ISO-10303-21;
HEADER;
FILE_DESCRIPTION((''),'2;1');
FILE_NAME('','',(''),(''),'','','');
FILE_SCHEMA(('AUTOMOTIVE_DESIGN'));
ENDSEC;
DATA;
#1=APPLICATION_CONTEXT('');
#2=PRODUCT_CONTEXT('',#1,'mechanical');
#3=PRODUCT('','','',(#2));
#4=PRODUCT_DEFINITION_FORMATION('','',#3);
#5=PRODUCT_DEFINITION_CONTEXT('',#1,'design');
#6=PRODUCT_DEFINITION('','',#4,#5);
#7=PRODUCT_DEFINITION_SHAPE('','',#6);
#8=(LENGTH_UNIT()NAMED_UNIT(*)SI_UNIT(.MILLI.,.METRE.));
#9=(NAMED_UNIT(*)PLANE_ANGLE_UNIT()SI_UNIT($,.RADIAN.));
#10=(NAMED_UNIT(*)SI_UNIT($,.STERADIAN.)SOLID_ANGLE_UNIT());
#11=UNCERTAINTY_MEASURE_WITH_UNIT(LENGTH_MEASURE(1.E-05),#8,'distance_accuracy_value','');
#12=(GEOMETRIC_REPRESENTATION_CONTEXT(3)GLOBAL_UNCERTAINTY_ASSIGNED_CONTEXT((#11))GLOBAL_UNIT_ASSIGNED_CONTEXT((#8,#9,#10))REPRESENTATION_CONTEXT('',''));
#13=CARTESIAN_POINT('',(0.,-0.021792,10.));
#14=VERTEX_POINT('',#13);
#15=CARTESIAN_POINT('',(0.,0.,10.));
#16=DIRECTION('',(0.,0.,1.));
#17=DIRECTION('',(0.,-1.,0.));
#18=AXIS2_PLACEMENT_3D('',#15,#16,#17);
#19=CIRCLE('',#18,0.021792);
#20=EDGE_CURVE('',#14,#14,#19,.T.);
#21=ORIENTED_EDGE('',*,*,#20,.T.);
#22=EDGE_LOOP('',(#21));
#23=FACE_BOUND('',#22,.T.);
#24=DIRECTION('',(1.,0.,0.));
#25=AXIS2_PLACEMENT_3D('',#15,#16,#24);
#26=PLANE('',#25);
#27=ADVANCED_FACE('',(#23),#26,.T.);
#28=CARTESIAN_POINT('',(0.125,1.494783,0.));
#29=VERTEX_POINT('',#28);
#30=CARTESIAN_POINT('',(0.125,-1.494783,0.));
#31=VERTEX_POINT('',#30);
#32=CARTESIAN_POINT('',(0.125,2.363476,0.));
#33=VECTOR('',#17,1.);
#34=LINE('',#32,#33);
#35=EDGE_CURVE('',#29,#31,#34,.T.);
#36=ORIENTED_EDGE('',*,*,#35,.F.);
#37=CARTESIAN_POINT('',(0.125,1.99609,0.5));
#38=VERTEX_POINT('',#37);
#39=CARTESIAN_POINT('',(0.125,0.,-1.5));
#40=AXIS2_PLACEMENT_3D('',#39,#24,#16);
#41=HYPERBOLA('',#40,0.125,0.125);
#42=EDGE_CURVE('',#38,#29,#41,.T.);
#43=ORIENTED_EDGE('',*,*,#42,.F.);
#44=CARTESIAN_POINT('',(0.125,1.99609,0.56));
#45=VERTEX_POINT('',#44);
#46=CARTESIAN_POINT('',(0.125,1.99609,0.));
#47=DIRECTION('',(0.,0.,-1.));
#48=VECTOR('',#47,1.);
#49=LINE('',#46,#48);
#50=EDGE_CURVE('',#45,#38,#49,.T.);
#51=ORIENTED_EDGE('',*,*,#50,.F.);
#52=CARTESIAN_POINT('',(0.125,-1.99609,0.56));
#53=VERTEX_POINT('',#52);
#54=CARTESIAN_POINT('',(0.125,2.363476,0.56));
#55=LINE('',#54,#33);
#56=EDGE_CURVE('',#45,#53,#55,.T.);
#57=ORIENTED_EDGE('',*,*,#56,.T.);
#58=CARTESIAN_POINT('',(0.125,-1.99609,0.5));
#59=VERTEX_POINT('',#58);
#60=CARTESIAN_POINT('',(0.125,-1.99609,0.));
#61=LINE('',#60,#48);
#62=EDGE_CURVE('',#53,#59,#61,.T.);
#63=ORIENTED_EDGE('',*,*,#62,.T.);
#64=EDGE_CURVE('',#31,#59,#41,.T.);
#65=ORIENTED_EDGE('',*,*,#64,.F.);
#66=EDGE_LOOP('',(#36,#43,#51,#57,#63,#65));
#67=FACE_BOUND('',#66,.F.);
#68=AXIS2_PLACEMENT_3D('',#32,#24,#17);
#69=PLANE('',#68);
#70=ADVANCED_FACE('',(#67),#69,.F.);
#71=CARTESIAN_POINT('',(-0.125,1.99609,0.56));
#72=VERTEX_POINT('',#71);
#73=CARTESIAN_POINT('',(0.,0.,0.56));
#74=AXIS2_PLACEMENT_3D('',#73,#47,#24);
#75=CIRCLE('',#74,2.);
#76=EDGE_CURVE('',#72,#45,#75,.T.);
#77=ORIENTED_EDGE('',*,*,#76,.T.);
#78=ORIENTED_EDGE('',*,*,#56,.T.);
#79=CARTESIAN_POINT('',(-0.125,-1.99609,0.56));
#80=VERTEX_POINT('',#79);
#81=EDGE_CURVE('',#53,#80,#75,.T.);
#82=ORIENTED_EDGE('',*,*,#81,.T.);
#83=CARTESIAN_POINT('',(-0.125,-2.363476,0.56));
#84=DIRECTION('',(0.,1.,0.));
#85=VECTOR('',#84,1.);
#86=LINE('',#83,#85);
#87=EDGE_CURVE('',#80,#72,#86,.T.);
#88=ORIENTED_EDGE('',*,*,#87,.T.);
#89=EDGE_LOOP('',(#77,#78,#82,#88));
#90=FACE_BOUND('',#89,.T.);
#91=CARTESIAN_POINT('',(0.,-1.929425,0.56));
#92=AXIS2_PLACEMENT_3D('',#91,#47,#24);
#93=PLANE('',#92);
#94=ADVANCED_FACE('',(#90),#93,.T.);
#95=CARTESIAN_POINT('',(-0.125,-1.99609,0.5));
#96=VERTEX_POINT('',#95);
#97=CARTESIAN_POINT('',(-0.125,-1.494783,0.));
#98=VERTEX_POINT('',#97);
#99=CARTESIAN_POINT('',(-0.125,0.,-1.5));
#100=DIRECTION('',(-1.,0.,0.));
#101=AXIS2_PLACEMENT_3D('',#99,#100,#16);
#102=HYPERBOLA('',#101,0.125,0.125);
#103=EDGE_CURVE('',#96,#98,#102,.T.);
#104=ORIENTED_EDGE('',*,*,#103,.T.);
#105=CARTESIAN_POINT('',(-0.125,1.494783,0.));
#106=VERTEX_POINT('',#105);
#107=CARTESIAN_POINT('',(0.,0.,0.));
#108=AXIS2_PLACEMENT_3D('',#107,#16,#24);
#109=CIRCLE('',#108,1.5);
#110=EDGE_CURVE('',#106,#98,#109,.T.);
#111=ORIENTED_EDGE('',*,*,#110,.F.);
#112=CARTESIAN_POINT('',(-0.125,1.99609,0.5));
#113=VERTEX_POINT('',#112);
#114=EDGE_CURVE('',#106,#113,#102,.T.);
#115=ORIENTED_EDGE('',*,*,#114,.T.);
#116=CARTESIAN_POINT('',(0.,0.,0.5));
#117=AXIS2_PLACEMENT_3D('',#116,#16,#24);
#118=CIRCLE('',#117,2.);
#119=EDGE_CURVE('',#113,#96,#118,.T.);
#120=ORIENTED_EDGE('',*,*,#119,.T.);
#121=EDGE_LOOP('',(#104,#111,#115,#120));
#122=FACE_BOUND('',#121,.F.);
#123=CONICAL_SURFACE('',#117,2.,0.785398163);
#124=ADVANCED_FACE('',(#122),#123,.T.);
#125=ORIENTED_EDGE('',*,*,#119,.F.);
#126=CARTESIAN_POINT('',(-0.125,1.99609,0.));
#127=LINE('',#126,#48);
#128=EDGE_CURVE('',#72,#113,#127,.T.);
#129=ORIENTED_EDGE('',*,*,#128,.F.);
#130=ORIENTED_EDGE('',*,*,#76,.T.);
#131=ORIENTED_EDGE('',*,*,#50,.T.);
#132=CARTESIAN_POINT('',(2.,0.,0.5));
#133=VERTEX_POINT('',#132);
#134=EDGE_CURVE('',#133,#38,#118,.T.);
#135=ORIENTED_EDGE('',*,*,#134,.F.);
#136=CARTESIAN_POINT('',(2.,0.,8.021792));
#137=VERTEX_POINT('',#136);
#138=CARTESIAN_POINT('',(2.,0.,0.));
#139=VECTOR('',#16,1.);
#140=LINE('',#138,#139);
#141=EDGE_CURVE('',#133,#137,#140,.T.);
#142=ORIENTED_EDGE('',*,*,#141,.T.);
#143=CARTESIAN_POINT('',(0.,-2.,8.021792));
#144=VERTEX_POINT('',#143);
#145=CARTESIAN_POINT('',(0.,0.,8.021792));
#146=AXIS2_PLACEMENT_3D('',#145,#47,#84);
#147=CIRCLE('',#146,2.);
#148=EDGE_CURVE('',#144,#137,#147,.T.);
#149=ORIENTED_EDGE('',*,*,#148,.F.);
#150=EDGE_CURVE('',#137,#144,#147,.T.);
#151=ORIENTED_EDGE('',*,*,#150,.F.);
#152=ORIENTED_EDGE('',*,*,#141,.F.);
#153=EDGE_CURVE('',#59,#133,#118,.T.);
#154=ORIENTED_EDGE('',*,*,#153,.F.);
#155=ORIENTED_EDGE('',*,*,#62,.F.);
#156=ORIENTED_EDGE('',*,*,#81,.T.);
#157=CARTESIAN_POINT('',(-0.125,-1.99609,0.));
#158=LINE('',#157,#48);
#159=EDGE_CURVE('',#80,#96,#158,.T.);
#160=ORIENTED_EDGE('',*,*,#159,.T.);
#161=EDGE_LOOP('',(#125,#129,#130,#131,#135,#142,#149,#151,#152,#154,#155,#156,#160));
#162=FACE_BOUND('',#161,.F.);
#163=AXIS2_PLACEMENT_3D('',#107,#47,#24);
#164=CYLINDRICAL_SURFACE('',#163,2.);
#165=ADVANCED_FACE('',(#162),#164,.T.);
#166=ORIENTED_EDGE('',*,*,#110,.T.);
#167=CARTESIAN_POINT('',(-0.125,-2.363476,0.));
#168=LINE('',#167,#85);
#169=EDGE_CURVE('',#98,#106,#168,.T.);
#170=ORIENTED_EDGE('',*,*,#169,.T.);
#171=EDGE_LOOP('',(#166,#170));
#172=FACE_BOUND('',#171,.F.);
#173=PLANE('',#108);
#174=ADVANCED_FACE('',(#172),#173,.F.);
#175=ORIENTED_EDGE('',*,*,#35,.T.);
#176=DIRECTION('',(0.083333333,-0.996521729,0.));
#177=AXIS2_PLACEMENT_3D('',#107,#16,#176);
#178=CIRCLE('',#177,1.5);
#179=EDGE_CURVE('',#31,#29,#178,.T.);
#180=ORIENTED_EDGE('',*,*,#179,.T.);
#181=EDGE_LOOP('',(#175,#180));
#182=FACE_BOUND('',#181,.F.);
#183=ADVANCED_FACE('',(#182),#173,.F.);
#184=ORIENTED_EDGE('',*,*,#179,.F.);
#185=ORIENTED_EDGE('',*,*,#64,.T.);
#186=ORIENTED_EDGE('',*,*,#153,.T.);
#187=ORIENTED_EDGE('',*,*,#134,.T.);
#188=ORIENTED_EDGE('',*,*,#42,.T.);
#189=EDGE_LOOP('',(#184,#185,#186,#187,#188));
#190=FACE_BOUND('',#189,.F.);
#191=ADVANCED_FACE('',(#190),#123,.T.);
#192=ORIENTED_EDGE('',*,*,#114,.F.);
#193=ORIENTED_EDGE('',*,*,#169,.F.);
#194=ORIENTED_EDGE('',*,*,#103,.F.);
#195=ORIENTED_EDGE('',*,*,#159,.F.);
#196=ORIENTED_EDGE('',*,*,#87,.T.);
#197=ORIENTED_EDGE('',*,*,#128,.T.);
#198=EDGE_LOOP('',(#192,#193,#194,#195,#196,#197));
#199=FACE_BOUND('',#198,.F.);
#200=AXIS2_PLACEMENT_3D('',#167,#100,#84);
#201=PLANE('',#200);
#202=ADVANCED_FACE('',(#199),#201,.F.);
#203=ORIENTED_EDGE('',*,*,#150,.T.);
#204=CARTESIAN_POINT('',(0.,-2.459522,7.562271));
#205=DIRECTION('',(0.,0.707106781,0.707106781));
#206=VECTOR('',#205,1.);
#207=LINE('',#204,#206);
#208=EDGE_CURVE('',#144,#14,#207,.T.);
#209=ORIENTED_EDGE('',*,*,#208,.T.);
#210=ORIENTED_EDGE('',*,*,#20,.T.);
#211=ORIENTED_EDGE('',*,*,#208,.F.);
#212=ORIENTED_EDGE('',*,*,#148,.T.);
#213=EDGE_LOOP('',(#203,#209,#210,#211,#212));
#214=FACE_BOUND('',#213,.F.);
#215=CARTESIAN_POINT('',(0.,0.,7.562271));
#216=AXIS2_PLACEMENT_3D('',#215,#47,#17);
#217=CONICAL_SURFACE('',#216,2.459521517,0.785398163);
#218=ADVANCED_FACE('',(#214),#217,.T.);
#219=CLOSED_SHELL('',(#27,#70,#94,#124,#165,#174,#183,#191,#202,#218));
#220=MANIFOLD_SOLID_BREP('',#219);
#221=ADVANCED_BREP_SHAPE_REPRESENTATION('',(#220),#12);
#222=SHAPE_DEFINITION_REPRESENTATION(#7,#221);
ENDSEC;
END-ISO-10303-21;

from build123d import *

# Parameters (mm, degrees)
F0_R     = 2
F1_DEPTH = 10
F4_SIZE  = 0.5
F6_DEPTH = 0.56


with BuildPart() as f1:
    # F0 (on Top) → F1 (new body)
    with BuildSketch(Plane.XY):
        Circle(F0_R)
    extrude(amount=F1_DEPTH)

    # F2 (on Right) → F3 (revolve, cut)
    with BuildSketch(Plane.YZ):
        Polygon((0, 10.2037759498), (-2.4595215172, 10.2037759498), (-2.4595215172, 7.5622705054), (0, 10.0217920226), align=None)
    revolve(axis=Axis((0, 0, 10.1127839862), (0, 0, -1)), mode=Mode.SUBTRACT)

    # F4
    f4_edges = [f1.edges().sort_by_distance(p)[0] for p in [
        (-2, 0, 0),
    ]]
    chamfer(f4_edges, length=F4_SIZE)

    # F5 (on face) → F6 (cut)
    with BuildSketch(Plane(origin=(0, 0, 0), x_dir=(1, 0, 0), z_dir=(0, 0, -1))):
        with BuildLine():
            ThreePointArc((-0.125, 1.4947825929), (0, 1.5), (0.125, 1.4947825929))
            Line((0.125, 1.4947825929), (0.125, 2.363476136))
            Line((0.125, 2.363476136), (-0.125, 2.363476136))
            Line((-0.125, 2.363476136), (-0.125, 1.4947825929))
        make_face()
        with BuildLine():
            ThreePointArc((-0.125, -1.4947825929), (0, -1.5), (0.125, -1.4947825929))
            Line((0.125, -1.4947825929), (0.125, 1.4947825929))
            ThreePointArc((0.125, 1.4947825929), (0, 1.5), (-0.125, 1.4947825929))
            Line((-0.125, 1.4947825929), (-0.125, -1.4947825929))
        make_face()
        with BuildLine():
            Line((-0.125, -2.363476136), (0.125, -2.363476136))
            Line((0.125, -2.363476136), (0.125, -1.4947825929))
            ThreePointArc((0.125, -1.4947825929), (0, -1.5), (-0.125, -1.4947825929))
            Line((-0.125, -1.4947825929), (-0.125, -2.363476136))
        make_face()
    extrude(amount=-F6_DEPTH, mode=Mode.SUBTRACT)


solid = f1.part
